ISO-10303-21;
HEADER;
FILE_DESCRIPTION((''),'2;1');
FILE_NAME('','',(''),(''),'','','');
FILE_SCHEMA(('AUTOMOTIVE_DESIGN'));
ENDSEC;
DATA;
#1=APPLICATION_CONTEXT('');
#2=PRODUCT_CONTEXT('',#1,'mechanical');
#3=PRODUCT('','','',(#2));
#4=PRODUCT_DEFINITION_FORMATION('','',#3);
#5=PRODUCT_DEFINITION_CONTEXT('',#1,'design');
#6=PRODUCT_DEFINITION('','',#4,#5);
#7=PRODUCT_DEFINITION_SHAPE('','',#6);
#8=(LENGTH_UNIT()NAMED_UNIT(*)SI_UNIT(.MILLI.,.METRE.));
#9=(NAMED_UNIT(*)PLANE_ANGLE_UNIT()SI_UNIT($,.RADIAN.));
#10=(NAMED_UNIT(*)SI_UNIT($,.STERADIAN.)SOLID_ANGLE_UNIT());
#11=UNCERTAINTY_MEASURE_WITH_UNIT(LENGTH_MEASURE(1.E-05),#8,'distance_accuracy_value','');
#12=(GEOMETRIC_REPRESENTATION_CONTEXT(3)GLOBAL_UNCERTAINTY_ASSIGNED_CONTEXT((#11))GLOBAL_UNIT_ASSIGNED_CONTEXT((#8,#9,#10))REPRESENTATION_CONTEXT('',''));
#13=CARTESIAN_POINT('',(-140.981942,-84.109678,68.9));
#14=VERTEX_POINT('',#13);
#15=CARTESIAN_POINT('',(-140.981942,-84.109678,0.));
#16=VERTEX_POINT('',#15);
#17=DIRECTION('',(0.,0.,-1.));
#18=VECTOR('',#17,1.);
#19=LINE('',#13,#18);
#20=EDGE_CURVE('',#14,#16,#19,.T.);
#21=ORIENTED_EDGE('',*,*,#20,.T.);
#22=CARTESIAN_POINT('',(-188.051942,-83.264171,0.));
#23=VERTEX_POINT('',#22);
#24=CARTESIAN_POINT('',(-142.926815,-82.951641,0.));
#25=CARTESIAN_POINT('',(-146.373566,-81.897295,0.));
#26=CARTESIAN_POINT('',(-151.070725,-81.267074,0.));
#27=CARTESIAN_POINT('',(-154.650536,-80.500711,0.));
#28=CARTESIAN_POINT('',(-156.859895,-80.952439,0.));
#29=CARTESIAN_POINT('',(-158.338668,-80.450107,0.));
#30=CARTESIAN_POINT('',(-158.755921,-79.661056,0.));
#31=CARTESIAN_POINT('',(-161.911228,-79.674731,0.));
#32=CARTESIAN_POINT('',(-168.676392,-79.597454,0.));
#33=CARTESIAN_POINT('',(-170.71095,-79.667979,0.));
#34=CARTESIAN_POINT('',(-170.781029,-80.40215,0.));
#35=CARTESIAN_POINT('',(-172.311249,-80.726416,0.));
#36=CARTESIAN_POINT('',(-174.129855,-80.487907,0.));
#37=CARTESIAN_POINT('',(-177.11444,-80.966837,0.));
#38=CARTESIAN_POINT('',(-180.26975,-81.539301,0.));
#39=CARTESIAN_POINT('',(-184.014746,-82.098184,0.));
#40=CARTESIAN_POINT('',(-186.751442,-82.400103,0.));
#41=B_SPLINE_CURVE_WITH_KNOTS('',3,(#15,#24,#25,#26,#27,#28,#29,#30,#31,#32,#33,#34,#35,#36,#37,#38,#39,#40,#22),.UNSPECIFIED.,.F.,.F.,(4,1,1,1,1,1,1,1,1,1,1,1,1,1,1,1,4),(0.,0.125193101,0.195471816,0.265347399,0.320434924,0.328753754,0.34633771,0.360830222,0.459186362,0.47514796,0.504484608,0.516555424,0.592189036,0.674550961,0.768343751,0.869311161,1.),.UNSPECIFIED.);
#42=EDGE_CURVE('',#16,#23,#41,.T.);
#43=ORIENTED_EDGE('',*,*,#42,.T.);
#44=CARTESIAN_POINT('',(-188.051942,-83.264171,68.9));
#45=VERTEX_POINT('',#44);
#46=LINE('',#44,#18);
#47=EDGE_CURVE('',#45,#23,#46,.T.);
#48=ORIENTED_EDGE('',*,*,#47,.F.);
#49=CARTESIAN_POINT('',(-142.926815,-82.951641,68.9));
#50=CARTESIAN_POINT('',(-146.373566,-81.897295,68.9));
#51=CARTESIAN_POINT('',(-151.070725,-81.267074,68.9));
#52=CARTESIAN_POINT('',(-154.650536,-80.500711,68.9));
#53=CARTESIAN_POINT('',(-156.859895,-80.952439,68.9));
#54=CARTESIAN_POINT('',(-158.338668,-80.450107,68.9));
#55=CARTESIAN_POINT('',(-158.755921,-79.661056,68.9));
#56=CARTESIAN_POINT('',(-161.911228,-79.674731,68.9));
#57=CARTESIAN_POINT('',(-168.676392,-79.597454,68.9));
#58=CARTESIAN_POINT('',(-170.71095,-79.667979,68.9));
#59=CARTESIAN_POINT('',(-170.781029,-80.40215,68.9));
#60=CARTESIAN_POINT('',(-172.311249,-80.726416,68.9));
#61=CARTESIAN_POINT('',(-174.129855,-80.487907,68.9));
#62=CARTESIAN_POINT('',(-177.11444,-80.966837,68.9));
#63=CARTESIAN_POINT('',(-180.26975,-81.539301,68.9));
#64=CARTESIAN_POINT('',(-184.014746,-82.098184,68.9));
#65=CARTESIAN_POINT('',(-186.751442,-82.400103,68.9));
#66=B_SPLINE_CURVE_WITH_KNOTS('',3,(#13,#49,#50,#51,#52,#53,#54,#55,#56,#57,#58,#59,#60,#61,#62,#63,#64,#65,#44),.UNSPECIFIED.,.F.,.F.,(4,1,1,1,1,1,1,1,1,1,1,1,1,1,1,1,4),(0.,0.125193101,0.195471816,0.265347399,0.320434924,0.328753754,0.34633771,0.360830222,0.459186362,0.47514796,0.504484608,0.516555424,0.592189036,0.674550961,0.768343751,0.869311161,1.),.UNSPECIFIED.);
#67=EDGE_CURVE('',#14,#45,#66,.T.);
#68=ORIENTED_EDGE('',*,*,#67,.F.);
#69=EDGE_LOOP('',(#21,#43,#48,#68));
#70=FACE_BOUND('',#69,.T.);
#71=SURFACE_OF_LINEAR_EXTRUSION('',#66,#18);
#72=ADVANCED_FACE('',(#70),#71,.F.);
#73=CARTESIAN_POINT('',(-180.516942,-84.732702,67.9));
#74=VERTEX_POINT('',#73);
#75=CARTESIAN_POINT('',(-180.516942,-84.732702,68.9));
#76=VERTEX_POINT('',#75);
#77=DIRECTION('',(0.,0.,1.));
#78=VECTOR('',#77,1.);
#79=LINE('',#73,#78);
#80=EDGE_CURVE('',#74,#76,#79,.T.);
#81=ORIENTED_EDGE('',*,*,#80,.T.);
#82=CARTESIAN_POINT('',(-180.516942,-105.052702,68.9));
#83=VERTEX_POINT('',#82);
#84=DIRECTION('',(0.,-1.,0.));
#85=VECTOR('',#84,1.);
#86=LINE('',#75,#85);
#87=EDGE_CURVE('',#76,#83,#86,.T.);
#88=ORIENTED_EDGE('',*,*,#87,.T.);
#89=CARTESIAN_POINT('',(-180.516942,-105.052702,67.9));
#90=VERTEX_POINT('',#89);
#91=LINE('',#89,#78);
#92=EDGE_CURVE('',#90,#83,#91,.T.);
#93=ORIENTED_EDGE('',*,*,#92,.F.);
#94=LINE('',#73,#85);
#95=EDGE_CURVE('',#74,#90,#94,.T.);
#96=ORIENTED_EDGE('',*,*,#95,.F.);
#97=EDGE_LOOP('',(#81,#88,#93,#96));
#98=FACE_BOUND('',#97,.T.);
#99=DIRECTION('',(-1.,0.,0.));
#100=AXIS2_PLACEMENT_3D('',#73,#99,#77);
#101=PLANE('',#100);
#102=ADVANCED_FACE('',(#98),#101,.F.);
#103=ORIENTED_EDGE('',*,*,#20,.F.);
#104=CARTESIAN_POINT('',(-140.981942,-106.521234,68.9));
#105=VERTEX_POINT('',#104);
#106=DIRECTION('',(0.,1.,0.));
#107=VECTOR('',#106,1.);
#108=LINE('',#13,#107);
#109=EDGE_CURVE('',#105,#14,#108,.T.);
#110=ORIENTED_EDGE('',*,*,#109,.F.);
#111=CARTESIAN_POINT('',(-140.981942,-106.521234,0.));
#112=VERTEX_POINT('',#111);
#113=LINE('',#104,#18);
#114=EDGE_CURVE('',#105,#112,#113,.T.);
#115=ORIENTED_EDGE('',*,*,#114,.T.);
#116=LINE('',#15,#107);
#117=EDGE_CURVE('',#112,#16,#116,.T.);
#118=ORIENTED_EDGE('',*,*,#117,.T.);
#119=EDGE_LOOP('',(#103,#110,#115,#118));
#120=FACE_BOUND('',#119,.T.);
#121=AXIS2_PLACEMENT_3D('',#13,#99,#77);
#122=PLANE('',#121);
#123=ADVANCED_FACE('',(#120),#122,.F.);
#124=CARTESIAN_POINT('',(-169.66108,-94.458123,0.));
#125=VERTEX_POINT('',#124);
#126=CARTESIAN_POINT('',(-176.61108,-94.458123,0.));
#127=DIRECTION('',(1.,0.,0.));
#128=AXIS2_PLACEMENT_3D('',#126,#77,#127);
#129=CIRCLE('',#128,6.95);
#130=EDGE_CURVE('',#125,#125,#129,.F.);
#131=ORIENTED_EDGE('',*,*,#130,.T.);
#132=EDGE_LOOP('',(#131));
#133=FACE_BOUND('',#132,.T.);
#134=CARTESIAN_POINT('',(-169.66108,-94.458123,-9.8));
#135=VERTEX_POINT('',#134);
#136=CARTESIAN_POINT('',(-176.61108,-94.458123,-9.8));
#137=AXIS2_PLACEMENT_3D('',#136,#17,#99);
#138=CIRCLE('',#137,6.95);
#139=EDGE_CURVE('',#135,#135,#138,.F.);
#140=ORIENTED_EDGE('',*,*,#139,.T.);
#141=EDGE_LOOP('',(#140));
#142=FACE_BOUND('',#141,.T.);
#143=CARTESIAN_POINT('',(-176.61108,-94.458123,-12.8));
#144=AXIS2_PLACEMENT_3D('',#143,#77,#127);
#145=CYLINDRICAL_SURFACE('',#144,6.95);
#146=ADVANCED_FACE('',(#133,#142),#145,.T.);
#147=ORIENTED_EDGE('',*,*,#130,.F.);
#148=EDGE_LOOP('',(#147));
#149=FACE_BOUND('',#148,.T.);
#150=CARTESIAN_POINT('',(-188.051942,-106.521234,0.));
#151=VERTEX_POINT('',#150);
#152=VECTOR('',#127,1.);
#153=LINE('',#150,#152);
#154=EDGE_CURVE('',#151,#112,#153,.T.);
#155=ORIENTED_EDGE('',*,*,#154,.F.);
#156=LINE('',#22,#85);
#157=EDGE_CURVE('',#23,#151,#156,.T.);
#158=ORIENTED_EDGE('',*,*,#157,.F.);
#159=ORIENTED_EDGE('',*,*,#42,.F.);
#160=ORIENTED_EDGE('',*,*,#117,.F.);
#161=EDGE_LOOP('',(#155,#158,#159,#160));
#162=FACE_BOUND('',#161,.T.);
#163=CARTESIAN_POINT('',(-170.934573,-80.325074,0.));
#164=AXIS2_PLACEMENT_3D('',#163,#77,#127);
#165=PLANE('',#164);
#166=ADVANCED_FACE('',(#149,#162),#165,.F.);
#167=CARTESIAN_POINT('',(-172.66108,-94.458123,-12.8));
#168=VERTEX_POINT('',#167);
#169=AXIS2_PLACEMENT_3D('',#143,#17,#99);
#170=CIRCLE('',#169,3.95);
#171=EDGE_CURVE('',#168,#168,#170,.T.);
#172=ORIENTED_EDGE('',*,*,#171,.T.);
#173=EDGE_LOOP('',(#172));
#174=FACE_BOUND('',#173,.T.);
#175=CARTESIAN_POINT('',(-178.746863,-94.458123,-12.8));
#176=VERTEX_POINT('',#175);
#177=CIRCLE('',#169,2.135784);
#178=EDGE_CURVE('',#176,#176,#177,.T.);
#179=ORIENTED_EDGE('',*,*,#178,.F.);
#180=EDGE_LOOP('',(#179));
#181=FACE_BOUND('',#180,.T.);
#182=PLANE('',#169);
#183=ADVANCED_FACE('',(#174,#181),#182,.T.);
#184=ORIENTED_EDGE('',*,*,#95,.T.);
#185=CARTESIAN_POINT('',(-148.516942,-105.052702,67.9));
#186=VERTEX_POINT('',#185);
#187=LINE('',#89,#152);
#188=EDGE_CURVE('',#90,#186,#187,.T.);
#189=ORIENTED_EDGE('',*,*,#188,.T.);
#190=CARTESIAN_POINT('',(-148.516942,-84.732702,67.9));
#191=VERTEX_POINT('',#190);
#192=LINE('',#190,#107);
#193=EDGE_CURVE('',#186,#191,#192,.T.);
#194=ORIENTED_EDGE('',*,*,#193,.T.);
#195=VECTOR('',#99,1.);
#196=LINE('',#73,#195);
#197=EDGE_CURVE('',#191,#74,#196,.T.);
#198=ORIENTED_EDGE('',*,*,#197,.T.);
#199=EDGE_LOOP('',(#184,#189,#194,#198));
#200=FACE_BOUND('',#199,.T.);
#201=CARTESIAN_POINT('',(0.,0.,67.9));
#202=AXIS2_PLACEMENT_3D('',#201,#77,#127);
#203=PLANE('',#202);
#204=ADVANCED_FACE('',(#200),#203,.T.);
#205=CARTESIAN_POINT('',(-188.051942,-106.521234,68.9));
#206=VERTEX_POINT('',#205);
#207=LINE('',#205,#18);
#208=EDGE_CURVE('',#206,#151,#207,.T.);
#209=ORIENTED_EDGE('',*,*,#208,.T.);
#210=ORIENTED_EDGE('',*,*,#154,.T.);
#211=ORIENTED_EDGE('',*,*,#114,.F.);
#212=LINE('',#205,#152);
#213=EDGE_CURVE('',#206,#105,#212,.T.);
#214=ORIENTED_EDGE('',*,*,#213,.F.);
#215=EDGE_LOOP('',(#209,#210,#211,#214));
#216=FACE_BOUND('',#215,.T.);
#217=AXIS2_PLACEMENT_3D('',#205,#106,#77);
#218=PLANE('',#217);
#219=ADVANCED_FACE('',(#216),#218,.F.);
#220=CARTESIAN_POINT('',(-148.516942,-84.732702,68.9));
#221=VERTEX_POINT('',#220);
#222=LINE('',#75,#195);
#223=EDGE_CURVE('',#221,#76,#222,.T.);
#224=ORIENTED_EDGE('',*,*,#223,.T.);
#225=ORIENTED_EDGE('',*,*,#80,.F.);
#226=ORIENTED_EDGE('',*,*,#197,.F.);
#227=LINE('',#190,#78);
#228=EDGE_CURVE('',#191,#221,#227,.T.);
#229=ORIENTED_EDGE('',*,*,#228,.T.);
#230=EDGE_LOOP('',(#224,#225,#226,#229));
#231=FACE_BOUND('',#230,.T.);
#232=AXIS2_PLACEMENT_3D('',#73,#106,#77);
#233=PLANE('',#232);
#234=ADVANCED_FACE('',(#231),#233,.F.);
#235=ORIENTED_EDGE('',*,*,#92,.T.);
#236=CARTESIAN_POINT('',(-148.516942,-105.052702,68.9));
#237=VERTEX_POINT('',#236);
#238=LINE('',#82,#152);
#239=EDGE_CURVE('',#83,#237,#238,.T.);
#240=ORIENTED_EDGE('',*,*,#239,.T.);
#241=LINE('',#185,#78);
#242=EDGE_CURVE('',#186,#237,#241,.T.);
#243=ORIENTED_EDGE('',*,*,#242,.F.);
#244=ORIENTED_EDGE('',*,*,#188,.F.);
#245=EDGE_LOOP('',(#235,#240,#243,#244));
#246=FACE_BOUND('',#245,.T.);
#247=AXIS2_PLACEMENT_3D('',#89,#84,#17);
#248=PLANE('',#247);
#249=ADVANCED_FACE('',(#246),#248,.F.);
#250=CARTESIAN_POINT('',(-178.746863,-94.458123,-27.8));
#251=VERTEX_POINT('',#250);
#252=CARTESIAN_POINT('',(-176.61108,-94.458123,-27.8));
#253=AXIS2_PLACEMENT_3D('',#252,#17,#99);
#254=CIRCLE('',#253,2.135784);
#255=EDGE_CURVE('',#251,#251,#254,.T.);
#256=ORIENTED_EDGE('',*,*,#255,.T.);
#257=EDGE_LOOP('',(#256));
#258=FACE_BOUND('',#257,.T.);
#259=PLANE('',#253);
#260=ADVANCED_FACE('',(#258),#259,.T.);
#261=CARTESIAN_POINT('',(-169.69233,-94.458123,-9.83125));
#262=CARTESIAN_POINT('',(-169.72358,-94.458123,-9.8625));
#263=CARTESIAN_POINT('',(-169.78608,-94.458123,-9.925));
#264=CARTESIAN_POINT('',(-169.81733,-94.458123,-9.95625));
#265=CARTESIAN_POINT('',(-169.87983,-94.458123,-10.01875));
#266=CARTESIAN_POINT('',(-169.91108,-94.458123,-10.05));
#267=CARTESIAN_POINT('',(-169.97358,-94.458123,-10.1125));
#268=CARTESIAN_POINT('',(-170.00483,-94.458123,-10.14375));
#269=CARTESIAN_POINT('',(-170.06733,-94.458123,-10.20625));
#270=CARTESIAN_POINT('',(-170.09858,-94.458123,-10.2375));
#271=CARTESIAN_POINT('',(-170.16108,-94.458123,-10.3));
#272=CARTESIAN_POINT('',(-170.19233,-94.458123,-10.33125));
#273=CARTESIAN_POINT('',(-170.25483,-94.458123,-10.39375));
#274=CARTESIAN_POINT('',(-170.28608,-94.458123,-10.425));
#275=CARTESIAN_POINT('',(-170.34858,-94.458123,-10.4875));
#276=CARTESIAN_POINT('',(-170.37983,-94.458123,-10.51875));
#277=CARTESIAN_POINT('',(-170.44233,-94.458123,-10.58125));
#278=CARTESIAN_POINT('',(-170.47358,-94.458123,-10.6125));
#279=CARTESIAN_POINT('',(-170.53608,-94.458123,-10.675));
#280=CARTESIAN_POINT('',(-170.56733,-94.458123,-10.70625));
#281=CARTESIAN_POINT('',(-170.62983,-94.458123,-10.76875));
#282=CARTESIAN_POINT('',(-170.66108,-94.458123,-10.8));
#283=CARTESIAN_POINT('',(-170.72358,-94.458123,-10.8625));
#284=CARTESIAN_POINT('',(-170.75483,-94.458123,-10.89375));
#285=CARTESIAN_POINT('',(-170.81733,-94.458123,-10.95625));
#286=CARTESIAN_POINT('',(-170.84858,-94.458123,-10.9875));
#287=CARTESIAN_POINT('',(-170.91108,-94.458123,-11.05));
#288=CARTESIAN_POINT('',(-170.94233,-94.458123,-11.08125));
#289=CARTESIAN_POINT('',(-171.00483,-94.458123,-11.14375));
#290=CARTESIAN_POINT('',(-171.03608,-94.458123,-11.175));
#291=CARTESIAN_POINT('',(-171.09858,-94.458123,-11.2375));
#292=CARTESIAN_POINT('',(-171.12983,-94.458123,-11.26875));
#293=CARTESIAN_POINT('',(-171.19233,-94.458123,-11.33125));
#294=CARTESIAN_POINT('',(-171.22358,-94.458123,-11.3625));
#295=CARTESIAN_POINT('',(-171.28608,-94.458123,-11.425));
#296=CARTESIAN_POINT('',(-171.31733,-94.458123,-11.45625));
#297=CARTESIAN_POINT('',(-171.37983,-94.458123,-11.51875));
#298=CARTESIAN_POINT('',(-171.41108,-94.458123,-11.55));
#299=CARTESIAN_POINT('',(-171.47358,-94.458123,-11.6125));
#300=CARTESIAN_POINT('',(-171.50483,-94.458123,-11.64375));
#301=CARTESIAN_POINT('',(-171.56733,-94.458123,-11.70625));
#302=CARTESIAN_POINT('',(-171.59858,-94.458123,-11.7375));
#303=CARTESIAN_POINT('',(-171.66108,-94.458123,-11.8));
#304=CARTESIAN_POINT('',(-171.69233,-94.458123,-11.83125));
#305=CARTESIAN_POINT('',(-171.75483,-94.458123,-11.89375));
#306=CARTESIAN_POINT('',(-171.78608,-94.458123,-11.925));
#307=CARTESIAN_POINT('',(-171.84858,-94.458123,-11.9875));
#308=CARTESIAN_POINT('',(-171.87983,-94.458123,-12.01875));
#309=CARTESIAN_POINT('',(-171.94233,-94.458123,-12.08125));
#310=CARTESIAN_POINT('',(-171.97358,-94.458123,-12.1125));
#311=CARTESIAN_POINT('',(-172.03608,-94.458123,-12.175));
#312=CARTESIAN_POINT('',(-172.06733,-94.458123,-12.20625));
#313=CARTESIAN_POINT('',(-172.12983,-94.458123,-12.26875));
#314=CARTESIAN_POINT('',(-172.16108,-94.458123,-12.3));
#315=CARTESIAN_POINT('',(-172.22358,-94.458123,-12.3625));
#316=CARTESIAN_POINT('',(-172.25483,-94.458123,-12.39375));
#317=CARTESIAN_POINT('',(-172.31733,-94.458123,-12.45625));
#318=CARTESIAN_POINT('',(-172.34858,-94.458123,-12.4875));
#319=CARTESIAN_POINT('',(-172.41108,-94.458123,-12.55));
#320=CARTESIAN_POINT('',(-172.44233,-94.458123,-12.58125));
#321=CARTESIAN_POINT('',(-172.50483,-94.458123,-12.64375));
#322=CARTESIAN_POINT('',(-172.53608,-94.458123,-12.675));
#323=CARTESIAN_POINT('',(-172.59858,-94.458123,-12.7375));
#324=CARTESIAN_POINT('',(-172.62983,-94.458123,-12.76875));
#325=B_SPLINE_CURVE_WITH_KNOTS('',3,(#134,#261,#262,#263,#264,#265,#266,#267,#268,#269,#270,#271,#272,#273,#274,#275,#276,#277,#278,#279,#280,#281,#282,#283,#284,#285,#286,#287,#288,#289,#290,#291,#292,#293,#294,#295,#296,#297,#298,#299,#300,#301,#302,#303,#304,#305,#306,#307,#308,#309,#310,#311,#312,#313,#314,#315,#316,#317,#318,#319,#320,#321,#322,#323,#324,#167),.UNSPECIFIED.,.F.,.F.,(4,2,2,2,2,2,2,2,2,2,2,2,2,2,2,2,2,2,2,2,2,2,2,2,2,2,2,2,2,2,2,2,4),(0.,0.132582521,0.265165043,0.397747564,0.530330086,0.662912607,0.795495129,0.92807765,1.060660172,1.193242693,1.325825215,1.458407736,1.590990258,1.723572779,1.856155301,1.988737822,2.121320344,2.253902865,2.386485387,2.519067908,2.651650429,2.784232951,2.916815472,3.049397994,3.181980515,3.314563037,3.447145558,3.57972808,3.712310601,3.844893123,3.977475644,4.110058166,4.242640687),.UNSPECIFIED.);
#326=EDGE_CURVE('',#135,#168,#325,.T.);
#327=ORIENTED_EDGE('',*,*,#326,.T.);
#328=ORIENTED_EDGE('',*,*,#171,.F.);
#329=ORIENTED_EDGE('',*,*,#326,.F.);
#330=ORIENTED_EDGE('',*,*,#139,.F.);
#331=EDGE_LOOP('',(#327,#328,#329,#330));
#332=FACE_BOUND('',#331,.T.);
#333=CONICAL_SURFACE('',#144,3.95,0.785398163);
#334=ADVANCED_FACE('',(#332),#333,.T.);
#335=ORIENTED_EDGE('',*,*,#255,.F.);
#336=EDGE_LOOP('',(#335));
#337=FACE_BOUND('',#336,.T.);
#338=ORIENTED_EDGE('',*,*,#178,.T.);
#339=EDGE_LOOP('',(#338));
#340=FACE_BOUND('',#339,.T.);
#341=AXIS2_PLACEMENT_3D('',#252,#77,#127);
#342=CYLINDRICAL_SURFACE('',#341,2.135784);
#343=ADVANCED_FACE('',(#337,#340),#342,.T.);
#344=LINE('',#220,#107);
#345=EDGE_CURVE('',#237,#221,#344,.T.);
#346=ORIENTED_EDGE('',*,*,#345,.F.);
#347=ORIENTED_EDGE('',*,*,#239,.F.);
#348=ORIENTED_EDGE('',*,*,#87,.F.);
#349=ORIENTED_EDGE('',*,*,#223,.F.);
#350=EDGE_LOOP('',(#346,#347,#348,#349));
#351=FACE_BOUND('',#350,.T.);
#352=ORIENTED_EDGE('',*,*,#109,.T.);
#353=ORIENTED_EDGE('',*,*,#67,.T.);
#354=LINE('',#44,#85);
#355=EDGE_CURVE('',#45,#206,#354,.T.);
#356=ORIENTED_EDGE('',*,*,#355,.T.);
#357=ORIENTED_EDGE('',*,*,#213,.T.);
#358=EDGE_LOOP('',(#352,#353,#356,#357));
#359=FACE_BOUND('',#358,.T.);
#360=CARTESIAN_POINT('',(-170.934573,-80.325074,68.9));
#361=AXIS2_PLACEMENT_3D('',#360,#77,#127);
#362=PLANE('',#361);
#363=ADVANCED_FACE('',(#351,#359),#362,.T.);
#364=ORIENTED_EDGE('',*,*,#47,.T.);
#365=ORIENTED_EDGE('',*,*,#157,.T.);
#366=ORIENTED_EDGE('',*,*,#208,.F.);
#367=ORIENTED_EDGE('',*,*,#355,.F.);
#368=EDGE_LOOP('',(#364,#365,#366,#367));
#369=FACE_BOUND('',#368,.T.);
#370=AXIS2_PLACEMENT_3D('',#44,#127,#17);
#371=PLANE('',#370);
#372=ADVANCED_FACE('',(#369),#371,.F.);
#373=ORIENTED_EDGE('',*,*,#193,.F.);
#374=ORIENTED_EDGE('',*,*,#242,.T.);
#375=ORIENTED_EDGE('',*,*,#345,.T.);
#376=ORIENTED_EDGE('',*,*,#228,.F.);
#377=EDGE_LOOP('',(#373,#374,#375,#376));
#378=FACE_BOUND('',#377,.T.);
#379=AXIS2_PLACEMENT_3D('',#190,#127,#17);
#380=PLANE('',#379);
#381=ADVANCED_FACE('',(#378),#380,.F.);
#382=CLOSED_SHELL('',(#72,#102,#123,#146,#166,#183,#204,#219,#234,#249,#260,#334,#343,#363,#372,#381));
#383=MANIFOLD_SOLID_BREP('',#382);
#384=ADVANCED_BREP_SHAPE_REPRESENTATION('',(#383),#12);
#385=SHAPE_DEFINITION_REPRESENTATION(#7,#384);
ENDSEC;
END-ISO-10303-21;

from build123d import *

# Parameters (mm, degrees)
EXTRUDE_1_DEPTH     = 68.9
SKETCH_3_R          = 6.95
EXTRUDE_2_DEPTH     = 12.8
CHAMFER_1_SIZE      = 3
SKETCH_4_R          = 2.135783825
EXTRUDE_3_DEPTH     = 15
SKETCH_5_W          = 32
SKETCH_5_H          = 20.32
CUT_EXTRUDE_1_DEPTH = 1


with BuildPart() as part:
    # Эскиз2 → Бобышка-Вытянуть1 (new body)
    with BuildSketch(Plane.XY):
        with BuildLine():
            Line((-188.051942113, -83.264171007), (-188.051942113, -106.521233953))
            Line((-188.051942113, -106.521233953), (-140.981942113, -106.521233953))
            Line((-140.981942113, -106.521233953), (-140.981942113, -84.109678038))
            add(Edge.make_bspline(
                [(-188.051942113, -83.264171007), (-186.751441625, -82.400103478), (-184.014745849, -82.098183961), (-180.269750478, -81.539300961), (-177.11443979, -80.966837329), (-174.129855052, -80.48790743), (-172.311248735, -80.726415641), (-170.781028922, -80.402149956), (-170.710950221, -79.66797894), (-168.676391514, -79.597454114), (-161.911227506, -79.674730736), (-158.755920697, -79.661056202), (-158.33866764, -80.450107039), (-156.859894774, -80.952439076), (-154.650535556, -80.50071138), (-151.070724866, -81.26707385), (-146.373565536, -81.897295087), (-142.926815312, -82.951640991), (-140.981942113, -84.109678038)],
                knots=[0, 0, 0, 0, 0.130688839, 0.231656249, 0.325449039, 0.407810964, 0.483444576, 0.495515392, 0.52485204, 0.540813638, 0.639169778, 0.65366229, 0.671246246, 0.679565076, 0.734652601, 0.804528184, 0.874806899, 1, 1, 1, 1], degree=3))
        make_face()
    extrude(amount=EXTRUDE_1_DEPTH)

    # Эскиз3 → Бобышка-Вытянуть2 (add)
    with BuildSketch(Plane(origin=(0, 0, 0), x_dir=(-1, 0, 0), z_dir=(0, 0, -1))):
        with Locations(Location((176.611079589, -94.458123157, 0), (0, 0, 180))):
            Circle(SKETCH_3_R)
    extrude(amount=EXTRUDE_2_DEPTH)

    # Фаска1
    chamfer_1_edges = [part.edges().sort_by_distance(p)[0] for p in [
        (-183.561079589, -94.458123157, -12.8),
    ]]
    chamfer(chamfer_1_edges, length=CHAMFER_1_SIZE)

    # Эскиз4 → Бобышка-Вытянуть3 (add)
    with BuildSketch(Plane(origin=(0, 0, -12.8), x_dir=(-1, 0, 0), z_dir=(0, 0, -1))):
        with Locations((176.611079589, -94.458123157)):
            Circle(SKETCH_4_R)
    extrude(amount=EXTRUDE_3_DEPTH)

    # Эскиз5 → Вырез-Вытянуть1 (cut)
    with BuildSketch(Plane.XY.offset(68.9)):
        with Locations((-164.516942113, -94.89270248)):
            Rectangle(SKETCH_5_W, SKETCH_5_H)
    extrude(amount=-CUT_EXTRUDE_1_DEPTH, mode=Mode.SUBTRACT)


solid = part.part
